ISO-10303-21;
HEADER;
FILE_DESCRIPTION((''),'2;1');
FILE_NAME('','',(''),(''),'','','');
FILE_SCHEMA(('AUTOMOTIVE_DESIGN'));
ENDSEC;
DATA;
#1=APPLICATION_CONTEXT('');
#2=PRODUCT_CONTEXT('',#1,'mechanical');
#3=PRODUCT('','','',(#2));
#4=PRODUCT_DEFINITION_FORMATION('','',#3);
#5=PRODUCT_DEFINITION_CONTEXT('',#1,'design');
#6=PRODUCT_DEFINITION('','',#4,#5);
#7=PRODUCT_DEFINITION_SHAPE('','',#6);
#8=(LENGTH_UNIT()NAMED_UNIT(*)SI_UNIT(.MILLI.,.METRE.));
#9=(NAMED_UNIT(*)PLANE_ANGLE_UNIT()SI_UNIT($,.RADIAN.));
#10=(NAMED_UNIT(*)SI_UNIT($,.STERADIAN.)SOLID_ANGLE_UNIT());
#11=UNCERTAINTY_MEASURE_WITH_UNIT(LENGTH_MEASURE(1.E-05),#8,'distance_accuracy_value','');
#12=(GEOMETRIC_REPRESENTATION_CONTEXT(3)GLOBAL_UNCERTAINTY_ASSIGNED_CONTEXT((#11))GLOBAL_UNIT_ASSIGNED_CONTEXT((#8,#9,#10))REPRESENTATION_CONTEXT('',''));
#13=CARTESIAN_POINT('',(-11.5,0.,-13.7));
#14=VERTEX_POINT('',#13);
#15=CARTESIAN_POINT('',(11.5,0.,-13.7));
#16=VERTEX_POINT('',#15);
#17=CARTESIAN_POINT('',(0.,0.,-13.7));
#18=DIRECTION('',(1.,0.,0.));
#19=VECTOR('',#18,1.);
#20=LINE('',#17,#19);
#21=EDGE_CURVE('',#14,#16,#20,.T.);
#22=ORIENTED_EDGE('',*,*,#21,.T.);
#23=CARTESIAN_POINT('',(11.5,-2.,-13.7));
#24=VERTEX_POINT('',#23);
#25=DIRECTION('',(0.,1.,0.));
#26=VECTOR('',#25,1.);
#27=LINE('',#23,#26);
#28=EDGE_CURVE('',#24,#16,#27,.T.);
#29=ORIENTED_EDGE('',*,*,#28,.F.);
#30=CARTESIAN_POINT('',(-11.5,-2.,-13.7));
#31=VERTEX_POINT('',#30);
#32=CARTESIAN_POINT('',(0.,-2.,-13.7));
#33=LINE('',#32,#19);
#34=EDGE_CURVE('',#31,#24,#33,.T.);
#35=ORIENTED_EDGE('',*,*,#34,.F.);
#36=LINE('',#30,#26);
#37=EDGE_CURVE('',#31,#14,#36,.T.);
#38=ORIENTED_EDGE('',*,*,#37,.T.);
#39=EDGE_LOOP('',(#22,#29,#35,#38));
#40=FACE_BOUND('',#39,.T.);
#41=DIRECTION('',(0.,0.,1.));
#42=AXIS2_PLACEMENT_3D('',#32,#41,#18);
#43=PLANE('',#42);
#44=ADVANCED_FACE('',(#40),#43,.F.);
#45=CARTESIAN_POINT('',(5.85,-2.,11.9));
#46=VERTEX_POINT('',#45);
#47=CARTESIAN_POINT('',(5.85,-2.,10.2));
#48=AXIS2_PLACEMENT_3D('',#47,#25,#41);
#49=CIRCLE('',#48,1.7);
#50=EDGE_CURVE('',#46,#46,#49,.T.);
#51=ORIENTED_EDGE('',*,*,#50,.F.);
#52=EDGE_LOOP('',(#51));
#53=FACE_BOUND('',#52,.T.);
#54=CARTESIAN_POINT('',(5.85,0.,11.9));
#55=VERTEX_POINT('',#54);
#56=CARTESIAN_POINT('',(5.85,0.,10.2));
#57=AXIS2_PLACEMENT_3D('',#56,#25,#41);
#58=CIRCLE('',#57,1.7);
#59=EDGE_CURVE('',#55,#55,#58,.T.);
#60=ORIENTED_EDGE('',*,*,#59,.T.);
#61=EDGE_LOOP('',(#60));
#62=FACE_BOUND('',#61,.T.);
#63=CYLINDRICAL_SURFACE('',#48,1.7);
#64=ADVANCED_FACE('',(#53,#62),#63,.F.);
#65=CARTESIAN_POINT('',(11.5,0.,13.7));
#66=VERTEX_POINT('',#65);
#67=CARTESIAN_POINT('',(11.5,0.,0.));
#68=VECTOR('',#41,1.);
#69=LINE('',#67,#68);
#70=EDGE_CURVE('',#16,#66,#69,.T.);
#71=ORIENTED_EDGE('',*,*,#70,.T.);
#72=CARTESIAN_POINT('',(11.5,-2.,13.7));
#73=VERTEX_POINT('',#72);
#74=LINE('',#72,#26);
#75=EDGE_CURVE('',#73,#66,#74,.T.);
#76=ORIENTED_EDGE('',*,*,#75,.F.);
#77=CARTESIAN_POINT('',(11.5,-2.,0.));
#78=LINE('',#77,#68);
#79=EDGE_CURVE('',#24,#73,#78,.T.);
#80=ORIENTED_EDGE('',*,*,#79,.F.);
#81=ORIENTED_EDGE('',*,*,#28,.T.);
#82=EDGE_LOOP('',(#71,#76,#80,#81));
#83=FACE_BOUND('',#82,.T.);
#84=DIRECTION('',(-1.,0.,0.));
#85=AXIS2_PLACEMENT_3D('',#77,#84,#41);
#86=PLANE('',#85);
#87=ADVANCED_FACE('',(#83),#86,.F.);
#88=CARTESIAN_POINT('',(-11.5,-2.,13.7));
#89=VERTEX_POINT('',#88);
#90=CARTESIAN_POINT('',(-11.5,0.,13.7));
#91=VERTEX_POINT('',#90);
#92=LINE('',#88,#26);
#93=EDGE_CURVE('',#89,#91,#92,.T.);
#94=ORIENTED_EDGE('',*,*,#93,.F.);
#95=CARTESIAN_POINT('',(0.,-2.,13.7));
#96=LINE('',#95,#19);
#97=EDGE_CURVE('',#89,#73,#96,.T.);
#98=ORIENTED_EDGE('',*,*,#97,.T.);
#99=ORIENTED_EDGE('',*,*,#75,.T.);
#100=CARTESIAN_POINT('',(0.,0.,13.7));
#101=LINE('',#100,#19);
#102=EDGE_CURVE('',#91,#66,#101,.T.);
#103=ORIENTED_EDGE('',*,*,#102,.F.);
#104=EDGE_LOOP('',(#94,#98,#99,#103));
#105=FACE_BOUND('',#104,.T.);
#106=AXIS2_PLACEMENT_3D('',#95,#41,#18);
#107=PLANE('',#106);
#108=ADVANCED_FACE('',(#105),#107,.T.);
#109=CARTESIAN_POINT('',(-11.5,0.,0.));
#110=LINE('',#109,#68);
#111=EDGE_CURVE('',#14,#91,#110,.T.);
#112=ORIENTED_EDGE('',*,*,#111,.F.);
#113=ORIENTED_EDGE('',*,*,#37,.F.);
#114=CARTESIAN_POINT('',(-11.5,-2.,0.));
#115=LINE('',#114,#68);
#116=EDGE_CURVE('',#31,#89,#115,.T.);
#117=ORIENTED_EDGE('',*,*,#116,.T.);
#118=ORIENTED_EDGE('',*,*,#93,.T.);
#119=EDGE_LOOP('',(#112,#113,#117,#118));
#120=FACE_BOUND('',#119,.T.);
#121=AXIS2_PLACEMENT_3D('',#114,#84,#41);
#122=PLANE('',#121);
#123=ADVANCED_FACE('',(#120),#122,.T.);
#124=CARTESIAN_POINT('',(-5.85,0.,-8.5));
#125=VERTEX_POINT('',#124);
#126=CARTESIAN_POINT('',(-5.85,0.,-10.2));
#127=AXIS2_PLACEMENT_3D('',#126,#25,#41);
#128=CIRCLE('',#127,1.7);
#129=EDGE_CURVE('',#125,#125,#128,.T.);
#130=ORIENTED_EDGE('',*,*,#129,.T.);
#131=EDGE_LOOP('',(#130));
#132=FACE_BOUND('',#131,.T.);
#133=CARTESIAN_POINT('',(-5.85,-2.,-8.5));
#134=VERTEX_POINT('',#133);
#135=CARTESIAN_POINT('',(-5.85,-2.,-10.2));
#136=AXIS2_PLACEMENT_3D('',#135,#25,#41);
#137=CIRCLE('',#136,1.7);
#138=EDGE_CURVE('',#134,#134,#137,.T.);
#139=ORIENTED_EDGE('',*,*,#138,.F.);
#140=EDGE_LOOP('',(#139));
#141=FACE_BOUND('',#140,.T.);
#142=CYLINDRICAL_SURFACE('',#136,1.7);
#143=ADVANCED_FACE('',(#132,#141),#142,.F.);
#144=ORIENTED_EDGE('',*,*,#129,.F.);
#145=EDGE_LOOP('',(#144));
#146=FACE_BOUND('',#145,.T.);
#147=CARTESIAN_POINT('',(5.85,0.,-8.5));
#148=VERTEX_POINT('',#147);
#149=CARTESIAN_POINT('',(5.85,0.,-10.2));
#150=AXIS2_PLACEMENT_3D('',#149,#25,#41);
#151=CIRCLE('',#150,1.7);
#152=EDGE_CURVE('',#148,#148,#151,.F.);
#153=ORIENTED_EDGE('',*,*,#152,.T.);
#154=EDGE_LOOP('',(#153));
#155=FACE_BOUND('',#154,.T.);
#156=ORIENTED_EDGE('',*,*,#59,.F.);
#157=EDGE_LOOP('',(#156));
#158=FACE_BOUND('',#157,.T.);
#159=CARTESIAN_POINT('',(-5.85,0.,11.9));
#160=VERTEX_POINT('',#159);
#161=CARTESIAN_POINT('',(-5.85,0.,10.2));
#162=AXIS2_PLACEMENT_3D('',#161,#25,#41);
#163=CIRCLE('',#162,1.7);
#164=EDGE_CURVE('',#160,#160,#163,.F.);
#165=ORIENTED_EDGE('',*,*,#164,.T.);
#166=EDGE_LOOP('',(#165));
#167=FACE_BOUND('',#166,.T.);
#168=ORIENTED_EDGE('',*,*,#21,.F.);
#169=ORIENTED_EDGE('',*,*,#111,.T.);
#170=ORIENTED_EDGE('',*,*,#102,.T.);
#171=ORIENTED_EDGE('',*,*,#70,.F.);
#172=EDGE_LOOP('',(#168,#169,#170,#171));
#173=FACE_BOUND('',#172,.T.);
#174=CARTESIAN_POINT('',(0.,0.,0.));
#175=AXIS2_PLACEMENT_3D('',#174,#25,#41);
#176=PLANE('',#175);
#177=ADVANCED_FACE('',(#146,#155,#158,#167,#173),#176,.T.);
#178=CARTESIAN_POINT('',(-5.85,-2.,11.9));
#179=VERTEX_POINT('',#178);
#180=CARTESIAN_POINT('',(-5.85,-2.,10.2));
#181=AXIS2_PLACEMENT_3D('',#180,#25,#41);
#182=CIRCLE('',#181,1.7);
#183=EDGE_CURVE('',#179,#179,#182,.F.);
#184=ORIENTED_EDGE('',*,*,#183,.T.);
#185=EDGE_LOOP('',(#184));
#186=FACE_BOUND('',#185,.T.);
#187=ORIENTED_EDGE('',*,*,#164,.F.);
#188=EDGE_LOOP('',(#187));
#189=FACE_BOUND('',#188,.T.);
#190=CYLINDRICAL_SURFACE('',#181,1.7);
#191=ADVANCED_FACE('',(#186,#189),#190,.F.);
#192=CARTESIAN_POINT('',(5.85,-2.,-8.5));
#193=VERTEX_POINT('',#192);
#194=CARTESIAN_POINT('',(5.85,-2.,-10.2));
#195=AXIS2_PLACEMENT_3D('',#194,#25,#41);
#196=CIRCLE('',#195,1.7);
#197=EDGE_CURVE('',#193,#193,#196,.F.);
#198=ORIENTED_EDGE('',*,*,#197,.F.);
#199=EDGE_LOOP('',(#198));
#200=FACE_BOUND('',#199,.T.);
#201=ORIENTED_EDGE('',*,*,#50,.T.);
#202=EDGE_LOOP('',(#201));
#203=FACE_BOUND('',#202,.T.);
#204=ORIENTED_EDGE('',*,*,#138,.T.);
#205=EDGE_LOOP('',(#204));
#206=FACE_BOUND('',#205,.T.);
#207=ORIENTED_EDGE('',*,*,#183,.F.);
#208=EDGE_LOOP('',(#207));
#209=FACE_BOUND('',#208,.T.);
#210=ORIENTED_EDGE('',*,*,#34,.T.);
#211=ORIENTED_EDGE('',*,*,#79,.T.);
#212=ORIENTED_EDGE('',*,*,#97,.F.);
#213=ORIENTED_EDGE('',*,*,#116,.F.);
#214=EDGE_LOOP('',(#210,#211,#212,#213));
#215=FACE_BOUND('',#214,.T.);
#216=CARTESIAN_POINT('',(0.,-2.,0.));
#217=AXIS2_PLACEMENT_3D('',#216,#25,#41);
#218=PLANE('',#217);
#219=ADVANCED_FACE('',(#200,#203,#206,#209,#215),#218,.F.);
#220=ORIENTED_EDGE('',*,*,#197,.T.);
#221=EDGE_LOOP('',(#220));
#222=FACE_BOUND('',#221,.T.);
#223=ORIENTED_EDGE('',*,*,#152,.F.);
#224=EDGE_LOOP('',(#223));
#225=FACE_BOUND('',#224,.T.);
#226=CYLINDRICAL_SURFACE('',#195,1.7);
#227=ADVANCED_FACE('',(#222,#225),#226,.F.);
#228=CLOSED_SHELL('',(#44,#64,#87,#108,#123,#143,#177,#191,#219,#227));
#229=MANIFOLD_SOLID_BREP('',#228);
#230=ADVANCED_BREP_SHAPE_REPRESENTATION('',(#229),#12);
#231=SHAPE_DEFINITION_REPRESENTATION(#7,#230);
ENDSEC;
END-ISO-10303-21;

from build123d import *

# Parameters (mm, degrees)
SKETCH1_W           = 23
SKETCH1_H           = 27.4
SKETCH1_R           = 1.7
BOSS_EXTRUDE1_DEPTH = 2


with BuildPart() as part:
    # Sketch1 → Boss-Extrude1 (new body)
    with BuildSketch(Plane(origin=(0, 0, 0), x_dir=(1, 0, 0), z_dir=(0, 1, 0))):
        Rectangle(SKETCH1_W, SKETCH1_H)
        with Locations(Location((5.85, 10.2, 0), (0, 0, 270))):
            Circle(SKETCH1_R, mode=Mode.SUBTRACT)
        with Locations(Location((-5.85, 10.2, 0), (0, 0, 270))):
            Circle(SKETCH1_R, mode=Mode.SUBTRACT)
        with Locations(Location((5.85, -10.2, 0), (0, 0, 270))):
            Circle(SKETCH1_R, mode=Mode.SUBTRACT)
        with Locations(Location((-5.85, -10.2, 0), (0, 0, 270))):
            Circle(SKETCH1_R, mode=Mode.SUBTRACT)
    extrude(amount=-BOSS_EXTRUDE1_DEPTH)


solid = part.part
